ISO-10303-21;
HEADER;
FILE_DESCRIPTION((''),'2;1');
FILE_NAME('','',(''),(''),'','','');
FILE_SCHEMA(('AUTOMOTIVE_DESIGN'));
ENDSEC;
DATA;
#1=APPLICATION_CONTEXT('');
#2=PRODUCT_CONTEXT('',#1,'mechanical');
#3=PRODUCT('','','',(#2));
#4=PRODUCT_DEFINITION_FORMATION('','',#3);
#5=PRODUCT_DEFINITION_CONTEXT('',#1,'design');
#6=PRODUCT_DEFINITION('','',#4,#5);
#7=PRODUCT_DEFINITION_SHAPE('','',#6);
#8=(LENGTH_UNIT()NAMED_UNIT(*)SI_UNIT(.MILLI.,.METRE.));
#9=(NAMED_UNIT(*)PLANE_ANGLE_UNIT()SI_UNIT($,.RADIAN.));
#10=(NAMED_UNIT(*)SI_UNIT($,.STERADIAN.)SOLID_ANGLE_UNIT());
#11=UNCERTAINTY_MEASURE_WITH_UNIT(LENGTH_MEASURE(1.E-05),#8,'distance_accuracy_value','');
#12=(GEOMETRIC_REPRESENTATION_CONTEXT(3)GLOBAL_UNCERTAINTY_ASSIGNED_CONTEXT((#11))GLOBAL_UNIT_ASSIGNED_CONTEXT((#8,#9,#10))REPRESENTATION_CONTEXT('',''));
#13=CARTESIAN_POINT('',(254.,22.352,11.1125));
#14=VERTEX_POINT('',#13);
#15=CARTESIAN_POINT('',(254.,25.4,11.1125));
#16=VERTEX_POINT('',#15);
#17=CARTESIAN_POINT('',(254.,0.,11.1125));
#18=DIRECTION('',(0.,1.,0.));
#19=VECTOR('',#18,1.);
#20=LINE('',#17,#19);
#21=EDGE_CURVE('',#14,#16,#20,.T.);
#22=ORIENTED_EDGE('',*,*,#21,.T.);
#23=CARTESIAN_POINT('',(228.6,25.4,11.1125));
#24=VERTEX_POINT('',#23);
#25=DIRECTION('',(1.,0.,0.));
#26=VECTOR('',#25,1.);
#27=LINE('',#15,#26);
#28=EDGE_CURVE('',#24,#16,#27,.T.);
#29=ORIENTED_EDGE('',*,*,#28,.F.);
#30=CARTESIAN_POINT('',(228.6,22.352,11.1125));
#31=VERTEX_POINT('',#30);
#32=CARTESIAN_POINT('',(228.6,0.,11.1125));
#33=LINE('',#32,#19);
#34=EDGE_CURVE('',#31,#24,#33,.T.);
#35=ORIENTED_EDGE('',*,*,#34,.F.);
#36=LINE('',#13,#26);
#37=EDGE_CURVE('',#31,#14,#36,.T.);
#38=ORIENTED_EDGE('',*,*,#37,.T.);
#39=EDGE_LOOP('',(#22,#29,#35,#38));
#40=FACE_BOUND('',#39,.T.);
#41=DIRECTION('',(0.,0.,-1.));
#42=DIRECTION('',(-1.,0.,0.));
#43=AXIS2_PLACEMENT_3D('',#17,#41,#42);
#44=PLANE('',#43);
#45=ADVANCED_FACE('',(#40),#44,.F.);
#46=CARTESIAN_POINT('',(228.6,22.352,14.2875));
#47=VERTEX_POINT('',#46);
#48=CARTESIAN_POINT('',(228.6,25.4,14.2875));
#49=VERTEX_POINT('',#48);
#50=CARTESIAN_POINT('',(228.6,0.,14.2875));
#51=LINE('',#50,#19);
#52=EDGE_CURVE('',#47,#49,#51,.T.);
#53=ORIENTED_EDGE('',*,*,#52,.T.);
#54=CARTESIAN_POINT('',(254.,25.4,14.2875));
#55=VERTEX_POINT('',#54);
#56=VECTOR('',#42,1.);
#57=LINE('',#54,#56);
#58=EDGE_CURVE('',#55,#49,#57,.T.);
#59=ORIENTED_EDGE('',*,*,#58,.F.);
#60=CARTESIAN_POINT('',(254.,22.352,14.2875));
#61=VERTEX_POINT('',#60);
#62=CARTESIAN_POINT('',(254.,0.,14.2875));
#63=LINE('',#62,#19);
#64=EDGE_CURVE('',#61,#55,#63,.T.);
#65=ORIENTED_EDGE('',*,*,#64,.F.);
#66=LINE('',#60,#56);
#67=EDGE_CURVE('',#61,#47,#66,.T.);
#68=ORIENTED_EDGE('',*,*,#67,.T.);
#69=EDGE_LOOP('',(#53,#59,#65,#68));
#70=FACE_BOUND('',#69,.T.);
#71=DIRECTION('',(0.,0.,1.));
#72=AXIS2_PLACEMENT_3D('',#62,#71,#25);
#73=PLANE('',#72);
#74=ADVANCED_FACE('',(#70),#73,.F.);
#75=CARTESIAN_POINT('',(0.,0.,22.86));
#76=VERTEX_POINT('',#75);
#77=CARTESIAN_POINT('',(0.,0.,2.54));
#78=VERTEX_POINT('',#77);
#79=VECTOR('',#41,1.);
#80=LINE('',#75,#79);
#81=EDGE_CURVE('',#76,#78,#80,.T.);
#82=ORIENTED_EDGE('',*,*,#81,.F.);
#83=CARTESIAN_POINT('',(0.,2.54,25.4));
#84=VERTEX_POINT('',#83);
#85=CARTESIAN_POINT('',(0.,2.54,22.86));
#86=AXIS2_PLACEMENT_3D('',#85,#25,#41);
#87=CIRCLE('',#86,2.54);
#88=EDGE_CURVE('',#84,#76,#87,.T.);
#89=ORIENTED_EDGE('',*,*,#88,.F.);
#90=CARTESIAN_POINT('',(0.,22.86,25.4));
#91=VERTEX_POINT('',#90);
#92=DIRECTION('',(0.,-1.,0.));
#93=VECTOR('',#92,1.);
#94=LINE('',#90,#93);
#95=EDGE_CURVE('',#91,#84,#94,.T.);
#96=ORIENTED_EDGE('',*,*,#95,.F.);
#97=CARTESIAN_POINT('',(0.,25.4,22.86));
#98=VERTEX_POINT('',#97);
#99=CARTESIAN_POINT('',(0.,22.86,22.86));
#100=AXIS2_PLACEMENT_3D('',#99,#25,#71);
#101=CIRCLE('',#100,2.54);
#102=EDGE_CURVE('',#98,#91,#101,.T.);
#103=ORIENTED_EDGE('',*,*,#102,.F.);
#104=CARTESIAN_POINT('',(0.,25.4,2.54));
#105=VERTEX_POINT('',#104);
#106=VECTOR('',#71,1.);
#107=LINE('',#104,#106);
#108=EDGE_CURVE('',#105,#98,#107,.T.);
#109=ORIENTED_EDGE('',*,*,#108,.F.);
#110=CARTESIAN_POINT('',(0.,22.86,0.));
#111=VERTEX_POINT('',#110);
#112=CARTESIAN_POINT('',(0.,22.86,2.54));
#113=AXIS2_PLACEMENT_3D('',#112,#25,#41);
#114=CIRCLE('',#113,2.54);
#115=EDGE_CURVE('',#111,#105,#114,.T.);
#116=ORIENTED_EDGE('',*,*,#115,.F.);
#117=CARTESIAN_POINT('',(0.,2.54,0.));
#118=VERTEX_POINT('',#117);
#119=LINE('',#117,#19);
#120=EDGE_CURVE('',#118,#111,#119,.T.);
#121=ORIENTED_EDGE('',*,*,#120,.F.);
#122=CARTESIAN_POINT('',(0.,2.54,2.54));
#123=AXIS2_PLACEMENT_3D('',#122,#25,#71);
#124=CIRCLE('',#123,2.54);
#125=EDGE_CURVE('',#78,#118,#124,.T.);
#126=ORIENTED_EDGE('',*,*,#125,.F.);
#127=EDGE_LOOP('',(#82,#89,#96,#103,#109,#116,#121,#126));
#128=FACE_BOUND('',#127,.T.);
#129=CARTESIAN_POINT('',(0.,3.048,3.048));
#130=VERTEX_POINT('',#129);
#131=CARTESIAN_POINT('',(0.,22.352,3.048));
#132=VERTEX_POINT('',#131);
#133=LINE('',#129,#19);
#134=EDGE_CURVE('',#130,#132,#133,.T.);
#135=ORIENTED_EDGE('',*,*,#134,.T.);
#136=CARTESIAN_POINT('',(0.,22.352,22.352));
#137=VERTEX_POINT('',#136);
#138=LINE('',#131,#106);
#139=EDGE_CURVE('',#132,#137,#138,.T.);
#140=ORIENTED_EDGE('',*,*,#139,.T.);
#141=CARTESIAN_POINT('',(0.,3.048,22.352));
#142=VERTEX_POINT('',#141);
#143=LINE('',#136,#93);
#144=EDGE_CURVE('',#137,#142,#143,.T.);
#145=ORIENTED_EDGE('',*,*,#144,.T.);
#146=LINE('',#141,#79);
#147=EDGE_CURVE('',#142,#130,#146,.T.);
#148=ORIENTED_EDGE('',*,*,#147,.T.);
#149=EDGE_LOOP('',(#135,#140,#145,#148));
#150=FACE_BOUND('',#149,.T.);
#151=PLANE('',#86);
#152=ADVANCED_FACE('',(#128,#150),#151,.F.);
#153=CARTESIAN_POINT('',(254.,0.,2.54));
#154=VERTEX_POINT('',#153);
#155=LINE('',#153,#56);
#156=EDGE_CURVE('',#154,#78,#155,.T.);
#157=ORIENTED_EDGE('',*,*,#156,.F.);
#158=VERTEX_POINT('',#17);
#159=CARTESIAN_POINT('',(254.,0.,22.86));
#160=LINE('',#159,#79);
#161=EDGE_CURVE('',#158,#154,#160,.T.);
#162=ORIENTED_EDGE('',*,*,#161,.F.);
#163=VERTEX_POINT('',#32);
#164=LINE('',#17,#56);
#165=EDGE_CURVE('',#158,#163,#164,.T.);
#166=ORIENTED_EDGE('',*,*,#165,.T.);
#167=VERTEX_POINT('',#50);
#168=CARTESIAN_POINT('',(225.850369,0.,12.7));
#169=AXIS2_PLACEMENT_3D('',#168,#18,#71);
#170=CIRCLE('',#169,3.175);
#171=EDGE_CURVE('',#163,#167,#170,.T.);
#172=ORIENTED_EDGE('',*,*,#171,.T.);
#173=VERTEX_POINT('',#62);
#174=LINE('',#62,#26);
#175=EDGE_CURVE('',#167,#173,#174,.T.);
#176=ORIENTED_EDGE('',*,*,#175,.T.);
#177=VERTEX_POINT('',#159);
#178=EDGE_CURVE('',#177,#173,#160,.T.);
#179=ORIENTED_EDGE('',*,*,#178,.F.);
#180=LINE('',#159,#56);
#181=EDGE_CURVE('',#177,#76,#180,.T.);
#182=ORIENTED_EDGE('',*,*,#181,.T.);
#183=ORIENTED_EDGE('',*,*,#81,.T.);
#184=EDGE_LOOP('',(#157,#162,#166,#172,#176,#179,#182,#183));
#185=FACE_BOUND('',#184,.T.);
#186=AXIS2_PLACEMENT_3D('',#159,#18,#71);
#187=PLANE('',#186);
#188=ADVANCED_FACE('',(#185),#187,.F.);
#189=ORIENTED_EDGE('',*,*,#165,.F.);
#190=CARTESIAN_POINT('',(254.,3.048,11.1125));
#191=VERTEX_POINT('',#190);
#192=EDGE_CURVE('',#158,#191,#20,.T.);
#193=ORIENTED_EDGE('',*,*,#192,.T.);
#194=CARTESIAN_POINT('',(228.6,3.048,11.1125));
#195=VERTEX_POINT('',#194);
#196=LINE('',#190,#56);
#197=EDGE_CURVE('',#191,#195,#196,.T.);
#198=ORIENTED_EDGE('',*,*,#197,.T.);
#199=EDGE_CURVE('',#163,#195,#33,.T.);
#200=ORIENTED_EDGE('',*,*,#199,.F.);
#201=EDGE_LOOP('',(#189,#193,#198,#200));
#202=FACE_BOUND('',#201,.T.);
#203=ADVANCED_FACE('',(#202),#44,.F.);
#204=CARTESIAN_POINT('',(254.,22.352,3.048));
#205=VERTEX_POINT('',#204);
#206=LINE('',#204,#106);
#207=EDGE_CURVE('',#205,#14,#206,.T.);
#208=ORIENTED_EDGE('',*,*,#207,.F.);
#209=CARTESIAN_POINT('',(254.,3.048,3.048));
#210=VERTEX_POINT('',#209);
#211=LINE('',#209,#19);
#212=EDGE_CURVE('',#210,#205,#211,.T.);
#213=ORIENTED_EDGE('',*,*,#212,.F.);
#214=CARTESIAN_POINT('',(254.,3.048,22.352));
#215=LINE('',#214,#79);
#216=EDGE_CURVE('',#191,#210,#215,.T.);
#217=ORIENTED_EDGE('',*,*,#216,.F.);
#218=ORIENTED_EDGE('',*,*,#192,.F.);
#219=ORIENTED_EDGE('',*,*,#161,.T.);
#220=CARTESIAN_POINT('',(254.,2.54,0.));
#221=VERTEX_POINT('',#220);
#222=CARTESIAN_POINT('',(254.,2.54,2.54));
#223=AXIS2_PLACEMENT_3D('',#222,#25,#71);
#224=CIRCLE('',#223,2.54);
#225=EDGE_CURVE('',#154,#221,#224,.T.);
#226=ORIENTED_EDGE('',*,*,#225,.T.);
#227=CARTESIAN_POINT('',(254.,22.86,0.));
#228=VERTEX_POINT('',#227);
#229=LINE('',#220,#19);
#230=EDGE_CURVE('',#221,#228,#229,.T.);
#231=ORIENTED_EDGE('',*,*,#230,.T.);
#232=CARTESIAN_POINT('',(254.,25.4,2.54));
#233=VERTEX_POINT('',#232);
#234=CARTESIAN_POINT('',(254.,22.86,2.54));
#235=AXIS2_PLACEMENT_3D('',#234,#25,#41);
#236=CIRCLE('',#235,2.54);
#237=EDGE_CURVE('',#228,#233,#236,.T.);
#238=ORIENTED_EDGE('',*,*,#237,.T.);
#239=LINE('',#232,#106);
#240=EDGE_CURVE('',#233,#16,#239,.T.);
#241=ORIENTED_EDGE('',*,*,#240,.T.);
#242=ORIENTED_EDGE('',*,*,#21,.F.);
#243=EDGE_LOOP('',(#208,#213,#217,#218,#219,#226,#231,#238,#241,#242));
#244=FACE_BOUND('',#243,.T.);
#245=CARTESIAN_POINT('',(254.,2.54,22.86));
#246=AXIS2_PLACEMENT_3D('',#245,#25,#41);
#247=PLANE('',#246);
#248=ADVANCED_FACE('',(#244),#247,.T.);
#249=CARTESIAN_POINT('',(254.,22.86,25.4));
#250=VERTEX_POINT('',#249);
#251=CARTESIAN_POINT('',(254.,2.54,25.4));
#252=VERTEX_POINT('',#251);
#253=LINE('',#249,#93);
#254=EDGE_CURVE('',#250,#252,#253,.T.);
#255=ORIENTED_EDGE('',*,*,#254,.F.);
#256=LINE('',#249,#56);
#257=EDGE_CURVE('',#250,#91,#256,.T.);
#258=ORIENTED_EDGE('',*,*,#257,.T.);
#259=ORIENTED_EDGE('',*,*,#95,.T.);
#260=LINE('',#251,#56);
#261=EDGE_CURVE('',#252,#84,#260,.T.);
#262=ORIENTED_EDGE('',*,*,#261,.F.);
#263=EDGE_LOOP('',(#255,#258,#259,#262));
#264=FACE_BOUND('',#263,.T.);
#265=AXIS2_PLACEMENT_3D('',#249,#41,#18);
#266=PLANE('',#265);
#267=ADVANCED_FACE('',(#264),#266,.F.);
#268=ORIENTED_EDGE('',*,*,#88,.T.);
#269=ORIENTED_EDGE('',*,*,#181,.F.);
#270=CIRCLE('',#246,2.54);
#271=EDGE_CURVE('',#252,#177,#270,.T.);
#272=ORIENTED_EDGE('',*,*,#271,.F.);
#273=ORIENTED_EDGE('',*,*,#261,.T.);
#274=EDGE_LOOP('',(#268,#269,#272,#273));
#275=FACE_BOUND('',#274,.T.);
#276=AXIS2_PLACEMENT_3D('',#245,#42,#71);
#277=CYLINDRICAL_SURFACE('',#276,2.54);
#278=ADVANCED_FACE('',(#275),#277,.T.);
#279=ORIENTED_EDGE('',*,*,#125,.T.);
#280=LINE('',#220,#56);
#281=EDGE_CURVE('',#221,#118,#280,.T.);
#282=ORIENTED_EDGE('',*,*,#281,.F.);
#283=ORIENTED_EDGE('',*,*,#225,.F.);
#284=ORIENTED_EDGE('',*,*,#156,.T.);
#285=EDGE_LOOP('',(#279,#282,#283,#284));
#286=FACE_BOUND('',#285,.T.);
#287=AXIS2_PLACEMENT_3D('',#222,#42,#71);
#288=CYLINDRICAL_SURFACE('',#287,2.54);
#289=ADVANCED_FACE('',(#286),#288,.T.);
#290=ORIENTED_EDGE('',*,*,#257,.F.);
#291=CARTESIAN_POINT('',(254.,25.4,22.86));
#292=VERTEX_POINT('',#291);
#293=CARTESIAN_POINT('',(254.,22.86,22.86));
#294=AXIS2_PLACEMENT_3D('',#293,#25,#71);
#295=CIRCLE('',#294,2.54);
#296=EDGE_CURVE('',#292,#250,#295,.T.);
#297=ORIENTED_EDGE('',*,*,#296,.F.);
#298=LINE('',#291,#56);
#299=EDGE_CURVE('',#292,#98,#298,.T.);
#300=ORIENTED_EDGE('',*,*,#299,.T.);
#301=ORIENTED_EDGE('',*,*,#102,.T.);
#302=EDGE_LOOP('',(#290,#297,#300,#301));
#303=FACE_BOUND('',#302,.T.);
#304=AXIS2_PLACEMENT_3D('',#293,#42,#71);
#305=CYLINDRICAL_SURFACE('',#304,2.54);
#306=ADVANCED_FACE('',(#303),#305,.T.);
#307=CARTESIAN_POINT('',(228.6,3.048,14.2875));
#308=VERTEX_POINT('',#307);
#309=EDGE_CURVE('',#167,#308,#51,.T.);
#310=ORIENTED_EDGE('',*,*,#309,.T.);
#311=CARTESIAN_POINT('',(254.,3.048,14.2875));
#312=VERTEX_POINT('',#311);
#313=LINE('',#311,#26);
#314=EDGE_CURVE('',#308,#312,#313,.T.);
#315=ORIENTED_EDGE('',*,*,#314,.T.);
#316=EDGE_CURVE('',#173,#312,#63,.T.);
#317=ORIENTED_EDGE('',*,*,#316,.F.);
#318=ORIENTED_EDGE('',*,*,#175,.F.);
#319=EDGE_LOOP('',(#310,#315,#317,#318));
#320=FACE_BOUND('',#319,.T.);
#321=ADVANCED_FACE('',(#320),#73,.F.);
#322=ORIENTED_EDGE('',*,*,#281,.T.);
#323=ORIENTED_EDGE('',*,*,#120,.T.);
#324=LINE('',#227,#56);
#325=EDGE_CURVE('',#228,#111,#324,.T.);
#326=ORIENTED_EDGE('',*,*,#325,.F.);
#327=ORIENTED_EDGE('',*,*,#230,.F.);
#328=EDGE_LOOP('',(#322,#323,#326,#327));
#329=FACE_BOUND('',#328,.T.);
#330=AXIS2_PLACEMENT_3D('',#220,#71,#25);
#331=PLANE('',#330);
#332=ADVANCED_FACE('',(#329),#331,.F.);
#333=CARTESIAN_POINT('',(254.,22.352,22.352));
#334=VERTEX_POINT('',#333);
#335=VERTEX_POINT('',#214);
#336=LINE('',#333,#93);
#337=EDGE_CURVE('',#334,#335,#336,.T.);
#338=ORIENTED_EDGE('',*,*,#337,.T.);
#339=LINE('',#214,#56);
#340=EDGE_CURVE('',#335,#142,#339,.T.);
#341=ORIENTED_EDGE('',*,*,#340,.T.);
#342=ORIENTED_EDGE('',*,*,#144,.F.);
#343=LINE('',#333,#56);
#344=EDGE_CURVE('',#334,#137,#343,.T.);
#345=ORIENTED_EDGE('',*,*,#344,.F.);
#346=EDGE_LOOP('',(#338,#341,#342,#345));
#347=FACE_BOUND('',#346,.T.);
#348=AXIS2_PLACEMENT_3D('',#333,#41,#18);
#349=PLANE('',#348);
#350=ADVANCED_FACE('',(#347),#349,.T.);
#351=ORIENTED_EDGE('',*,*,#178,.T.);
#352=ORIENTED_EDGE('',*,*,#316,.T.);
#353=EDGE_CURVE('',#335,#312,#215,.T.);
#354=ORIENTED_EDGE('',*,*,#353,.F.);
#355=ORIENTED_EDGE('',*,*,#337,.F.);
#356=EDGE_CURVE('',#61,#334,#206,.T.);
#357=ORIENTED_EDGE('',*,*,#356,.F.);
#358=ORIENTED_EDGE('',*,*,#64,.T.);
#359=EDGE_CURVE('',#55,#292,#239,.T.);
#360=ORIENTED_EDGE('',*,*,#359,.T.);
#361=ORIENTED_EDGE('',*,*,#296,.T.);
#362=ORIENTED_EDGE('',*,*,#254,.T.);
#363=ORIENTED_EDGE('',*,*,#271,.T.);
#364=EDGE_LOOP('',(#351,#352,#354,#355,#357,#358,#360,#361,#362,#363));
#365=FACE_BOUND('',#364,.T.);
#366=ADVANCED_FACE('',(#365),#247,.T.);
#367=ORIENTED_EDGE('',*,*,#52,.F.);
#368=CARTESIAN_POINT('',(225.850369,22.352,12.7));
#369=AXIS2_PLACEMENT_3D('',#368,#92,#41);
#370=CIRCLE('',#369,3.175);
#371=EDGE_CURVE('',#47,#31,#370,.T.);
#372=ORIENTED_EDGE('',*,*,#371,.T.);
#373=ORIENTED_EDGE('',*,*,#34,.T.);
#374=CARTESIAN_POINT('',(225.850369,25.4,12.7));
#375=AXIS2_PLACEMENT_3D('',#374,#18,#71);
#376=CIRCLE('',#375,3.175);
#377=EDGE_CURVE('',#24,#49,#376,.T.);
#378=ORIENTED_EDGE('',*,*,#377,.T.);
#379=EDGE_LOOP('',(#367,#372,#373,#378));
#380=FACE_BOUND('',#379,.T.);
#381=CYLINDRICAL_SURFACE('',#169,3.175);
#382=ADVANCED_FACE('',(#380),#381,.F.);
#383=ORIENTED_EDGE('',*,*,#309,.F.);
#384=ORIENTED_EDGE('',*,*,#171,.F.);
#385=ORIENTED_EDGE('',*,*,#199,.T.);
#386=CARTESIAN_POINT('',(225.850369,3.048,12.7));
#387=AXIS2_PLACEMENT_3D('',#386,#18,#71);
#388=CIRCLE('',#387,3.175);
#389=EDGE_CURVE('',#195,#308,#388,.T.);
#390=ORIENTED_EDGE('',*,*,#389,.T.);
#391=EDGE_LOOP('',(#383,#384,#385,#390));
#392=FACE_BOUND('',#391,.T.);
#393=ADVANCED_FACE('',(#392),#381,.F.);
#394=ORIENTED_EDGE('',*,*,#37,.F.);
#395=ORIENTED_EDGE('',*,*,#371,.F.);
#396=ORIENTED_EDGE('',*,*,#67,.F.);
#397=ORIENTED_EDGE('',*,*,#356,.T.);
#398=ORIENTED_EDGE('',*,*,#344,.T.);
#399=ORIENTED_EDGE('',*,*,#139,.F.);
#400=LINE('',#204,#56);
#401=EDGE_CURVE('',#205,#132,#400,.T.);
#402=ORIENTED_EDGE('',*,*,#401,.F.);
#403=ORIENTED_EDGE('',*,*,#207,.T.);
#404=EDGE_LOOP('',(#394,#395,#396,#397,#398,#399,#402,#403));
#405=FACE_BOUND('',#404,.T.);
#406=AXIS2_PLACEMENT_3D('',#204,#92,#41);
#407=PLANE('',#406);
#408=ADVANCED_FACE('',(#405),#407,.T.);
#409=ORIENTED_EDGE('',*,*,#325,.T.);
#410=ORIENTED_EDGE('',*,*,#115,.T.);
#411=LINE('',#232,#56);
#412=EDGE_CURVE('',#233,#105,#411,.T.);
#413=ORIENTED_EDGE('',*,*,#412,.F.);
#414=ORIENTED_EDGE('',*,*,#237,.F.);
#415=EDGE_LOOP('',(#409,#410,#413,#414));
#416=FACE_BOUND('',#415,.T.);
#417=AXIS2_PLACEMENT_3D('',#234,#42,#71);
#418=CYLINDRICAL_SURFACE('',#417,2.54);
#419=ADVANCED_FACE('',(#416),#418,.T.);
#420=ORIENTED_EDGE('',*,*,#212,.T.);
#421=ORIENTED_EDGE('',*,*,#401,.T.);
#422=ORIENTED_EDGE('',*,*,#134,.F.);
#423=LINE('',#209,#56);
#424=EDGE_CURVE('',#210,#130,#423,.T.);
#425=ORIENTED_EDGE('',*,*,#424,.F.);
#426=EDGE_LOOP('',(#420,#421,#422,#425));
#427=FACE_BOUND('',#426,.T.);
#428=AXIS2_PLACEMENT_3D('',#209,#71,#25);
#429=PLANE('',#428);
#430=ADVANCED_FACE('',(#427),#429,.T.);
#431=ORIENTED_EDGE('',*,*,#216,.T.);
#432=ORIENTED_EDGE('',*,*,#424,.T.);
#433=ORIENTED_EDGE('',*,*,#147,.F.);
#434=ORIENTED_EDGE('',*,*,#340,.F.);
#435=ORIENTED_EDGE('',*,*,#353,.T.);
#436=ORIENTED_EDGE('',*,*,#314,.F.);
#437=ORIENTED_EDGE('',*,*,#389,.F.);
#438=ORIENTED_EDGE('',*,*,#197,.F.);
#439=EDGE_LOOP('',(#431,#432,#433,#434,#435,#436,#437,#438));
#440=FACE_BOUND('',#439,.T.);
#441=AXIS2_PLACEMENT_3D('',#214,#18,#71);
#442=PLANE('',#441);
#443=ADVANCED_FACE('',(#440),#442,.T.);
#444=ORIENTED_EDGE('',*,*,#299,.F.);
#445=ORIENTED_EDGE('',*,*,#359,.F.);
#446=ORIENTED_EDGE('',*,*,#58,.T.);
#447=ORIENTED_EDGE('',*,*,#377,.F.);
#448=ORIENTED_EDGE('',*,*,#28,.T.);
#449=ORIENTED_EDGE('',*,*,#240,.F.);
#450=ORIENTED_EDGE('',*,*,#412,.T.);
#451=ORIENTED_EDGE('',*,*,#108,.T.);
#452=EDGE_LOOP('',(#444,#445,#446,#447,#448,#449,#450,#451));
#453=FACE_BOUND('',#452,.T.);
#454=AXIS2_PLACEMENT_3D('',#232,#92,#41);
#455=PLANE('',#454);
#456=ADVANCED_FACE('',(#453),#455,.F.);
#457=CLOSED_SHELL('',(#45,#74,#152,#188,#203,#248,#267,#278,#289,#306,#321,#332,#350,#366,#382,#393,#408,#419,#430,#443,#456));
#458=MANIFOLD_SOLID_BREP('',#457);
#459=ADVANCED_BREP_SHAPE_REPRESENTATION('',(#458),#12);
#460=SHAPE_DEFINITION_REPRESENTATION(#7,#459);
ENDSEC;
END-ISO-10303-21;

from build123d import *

# Parameters (mm, degrees)
SKETCH1_W               = 19.304
SKETCH1_H               = 19.304
BOSS_EXTRUDE1_DEPTH     = 254
CUT_EXTRUDE1_DEPTH      = 257.527425434
CUT_EXTRUDE1_DEPTH_BACK = 257.527425434


with BuildPart() as part:
    # Sketch1 → Boss-Extrude1 (new body)
    with BuildSketch(Plane(origin=(0, 0, 0), x_dir=(0, 0, -1), z_dir=(1, 0, 0))):
        with BuildLine():
            Line((0, 2.54), (0, 22.86))
            ThreePointArc((0, 22.86), (-0.743948776, 24.656051224), (-2.54, 25.4))
            Line((-2.54, 25.4), (-22.86, 25.4))
            ThreePointArc((-22.86, 25.4), (-24.656051224, 24.656051224), (-25.4, 22.86))
            Line((-25.4, 22.86), (-25.4, 2.54))
            ThreePointArc((-25.4, 2.54), (-24.656051224, 0.743948776), (-22.86, 0))
            Line((-22.86, 0), (-2.54, 0))
            ThreePointArc((-2.54, 0), (-0.743948776, 0.743948776), (0, 2.54))
        make_face()
        with Locations((-12.7, 12.7)):
            Rectangle(SKETCH1_W, SKETCH1_H, mode=Mode.SUBTRACT)
    extrude(amount=BOSS_EXTRUDE1_DEPTH)

    # Sketch2 → Cut-Extrude1 (cut, two sides: drawn at the far end of the back side and taken through both)
    with BuildSketch(Plane(origin=(0, 25.4, 0), x_dir=(1, 0, 0), z_dir=(0, 1, 0)).offset(-CUT_EXTRUDE1_DEPTH_BACK)):
        with BuildLine():
            Line((254, -11.1125), (228.6, -11.1125))
            ThreePointArc((228.6, -11.1125), (222.675369343, -12.7), (228.6, -14.2875))
            Line((228.6, -14.2875), (254, -14.2875))
            Line((254, -14.2875), (254, -11.1125))
        make_face()
    extrude(amount=CUT_EXTRUDE1_DEPTH + CUT_EXTRUDE1_DEPTH_BACK, mode=Mode.SUBTRACT)


solid = part.part
